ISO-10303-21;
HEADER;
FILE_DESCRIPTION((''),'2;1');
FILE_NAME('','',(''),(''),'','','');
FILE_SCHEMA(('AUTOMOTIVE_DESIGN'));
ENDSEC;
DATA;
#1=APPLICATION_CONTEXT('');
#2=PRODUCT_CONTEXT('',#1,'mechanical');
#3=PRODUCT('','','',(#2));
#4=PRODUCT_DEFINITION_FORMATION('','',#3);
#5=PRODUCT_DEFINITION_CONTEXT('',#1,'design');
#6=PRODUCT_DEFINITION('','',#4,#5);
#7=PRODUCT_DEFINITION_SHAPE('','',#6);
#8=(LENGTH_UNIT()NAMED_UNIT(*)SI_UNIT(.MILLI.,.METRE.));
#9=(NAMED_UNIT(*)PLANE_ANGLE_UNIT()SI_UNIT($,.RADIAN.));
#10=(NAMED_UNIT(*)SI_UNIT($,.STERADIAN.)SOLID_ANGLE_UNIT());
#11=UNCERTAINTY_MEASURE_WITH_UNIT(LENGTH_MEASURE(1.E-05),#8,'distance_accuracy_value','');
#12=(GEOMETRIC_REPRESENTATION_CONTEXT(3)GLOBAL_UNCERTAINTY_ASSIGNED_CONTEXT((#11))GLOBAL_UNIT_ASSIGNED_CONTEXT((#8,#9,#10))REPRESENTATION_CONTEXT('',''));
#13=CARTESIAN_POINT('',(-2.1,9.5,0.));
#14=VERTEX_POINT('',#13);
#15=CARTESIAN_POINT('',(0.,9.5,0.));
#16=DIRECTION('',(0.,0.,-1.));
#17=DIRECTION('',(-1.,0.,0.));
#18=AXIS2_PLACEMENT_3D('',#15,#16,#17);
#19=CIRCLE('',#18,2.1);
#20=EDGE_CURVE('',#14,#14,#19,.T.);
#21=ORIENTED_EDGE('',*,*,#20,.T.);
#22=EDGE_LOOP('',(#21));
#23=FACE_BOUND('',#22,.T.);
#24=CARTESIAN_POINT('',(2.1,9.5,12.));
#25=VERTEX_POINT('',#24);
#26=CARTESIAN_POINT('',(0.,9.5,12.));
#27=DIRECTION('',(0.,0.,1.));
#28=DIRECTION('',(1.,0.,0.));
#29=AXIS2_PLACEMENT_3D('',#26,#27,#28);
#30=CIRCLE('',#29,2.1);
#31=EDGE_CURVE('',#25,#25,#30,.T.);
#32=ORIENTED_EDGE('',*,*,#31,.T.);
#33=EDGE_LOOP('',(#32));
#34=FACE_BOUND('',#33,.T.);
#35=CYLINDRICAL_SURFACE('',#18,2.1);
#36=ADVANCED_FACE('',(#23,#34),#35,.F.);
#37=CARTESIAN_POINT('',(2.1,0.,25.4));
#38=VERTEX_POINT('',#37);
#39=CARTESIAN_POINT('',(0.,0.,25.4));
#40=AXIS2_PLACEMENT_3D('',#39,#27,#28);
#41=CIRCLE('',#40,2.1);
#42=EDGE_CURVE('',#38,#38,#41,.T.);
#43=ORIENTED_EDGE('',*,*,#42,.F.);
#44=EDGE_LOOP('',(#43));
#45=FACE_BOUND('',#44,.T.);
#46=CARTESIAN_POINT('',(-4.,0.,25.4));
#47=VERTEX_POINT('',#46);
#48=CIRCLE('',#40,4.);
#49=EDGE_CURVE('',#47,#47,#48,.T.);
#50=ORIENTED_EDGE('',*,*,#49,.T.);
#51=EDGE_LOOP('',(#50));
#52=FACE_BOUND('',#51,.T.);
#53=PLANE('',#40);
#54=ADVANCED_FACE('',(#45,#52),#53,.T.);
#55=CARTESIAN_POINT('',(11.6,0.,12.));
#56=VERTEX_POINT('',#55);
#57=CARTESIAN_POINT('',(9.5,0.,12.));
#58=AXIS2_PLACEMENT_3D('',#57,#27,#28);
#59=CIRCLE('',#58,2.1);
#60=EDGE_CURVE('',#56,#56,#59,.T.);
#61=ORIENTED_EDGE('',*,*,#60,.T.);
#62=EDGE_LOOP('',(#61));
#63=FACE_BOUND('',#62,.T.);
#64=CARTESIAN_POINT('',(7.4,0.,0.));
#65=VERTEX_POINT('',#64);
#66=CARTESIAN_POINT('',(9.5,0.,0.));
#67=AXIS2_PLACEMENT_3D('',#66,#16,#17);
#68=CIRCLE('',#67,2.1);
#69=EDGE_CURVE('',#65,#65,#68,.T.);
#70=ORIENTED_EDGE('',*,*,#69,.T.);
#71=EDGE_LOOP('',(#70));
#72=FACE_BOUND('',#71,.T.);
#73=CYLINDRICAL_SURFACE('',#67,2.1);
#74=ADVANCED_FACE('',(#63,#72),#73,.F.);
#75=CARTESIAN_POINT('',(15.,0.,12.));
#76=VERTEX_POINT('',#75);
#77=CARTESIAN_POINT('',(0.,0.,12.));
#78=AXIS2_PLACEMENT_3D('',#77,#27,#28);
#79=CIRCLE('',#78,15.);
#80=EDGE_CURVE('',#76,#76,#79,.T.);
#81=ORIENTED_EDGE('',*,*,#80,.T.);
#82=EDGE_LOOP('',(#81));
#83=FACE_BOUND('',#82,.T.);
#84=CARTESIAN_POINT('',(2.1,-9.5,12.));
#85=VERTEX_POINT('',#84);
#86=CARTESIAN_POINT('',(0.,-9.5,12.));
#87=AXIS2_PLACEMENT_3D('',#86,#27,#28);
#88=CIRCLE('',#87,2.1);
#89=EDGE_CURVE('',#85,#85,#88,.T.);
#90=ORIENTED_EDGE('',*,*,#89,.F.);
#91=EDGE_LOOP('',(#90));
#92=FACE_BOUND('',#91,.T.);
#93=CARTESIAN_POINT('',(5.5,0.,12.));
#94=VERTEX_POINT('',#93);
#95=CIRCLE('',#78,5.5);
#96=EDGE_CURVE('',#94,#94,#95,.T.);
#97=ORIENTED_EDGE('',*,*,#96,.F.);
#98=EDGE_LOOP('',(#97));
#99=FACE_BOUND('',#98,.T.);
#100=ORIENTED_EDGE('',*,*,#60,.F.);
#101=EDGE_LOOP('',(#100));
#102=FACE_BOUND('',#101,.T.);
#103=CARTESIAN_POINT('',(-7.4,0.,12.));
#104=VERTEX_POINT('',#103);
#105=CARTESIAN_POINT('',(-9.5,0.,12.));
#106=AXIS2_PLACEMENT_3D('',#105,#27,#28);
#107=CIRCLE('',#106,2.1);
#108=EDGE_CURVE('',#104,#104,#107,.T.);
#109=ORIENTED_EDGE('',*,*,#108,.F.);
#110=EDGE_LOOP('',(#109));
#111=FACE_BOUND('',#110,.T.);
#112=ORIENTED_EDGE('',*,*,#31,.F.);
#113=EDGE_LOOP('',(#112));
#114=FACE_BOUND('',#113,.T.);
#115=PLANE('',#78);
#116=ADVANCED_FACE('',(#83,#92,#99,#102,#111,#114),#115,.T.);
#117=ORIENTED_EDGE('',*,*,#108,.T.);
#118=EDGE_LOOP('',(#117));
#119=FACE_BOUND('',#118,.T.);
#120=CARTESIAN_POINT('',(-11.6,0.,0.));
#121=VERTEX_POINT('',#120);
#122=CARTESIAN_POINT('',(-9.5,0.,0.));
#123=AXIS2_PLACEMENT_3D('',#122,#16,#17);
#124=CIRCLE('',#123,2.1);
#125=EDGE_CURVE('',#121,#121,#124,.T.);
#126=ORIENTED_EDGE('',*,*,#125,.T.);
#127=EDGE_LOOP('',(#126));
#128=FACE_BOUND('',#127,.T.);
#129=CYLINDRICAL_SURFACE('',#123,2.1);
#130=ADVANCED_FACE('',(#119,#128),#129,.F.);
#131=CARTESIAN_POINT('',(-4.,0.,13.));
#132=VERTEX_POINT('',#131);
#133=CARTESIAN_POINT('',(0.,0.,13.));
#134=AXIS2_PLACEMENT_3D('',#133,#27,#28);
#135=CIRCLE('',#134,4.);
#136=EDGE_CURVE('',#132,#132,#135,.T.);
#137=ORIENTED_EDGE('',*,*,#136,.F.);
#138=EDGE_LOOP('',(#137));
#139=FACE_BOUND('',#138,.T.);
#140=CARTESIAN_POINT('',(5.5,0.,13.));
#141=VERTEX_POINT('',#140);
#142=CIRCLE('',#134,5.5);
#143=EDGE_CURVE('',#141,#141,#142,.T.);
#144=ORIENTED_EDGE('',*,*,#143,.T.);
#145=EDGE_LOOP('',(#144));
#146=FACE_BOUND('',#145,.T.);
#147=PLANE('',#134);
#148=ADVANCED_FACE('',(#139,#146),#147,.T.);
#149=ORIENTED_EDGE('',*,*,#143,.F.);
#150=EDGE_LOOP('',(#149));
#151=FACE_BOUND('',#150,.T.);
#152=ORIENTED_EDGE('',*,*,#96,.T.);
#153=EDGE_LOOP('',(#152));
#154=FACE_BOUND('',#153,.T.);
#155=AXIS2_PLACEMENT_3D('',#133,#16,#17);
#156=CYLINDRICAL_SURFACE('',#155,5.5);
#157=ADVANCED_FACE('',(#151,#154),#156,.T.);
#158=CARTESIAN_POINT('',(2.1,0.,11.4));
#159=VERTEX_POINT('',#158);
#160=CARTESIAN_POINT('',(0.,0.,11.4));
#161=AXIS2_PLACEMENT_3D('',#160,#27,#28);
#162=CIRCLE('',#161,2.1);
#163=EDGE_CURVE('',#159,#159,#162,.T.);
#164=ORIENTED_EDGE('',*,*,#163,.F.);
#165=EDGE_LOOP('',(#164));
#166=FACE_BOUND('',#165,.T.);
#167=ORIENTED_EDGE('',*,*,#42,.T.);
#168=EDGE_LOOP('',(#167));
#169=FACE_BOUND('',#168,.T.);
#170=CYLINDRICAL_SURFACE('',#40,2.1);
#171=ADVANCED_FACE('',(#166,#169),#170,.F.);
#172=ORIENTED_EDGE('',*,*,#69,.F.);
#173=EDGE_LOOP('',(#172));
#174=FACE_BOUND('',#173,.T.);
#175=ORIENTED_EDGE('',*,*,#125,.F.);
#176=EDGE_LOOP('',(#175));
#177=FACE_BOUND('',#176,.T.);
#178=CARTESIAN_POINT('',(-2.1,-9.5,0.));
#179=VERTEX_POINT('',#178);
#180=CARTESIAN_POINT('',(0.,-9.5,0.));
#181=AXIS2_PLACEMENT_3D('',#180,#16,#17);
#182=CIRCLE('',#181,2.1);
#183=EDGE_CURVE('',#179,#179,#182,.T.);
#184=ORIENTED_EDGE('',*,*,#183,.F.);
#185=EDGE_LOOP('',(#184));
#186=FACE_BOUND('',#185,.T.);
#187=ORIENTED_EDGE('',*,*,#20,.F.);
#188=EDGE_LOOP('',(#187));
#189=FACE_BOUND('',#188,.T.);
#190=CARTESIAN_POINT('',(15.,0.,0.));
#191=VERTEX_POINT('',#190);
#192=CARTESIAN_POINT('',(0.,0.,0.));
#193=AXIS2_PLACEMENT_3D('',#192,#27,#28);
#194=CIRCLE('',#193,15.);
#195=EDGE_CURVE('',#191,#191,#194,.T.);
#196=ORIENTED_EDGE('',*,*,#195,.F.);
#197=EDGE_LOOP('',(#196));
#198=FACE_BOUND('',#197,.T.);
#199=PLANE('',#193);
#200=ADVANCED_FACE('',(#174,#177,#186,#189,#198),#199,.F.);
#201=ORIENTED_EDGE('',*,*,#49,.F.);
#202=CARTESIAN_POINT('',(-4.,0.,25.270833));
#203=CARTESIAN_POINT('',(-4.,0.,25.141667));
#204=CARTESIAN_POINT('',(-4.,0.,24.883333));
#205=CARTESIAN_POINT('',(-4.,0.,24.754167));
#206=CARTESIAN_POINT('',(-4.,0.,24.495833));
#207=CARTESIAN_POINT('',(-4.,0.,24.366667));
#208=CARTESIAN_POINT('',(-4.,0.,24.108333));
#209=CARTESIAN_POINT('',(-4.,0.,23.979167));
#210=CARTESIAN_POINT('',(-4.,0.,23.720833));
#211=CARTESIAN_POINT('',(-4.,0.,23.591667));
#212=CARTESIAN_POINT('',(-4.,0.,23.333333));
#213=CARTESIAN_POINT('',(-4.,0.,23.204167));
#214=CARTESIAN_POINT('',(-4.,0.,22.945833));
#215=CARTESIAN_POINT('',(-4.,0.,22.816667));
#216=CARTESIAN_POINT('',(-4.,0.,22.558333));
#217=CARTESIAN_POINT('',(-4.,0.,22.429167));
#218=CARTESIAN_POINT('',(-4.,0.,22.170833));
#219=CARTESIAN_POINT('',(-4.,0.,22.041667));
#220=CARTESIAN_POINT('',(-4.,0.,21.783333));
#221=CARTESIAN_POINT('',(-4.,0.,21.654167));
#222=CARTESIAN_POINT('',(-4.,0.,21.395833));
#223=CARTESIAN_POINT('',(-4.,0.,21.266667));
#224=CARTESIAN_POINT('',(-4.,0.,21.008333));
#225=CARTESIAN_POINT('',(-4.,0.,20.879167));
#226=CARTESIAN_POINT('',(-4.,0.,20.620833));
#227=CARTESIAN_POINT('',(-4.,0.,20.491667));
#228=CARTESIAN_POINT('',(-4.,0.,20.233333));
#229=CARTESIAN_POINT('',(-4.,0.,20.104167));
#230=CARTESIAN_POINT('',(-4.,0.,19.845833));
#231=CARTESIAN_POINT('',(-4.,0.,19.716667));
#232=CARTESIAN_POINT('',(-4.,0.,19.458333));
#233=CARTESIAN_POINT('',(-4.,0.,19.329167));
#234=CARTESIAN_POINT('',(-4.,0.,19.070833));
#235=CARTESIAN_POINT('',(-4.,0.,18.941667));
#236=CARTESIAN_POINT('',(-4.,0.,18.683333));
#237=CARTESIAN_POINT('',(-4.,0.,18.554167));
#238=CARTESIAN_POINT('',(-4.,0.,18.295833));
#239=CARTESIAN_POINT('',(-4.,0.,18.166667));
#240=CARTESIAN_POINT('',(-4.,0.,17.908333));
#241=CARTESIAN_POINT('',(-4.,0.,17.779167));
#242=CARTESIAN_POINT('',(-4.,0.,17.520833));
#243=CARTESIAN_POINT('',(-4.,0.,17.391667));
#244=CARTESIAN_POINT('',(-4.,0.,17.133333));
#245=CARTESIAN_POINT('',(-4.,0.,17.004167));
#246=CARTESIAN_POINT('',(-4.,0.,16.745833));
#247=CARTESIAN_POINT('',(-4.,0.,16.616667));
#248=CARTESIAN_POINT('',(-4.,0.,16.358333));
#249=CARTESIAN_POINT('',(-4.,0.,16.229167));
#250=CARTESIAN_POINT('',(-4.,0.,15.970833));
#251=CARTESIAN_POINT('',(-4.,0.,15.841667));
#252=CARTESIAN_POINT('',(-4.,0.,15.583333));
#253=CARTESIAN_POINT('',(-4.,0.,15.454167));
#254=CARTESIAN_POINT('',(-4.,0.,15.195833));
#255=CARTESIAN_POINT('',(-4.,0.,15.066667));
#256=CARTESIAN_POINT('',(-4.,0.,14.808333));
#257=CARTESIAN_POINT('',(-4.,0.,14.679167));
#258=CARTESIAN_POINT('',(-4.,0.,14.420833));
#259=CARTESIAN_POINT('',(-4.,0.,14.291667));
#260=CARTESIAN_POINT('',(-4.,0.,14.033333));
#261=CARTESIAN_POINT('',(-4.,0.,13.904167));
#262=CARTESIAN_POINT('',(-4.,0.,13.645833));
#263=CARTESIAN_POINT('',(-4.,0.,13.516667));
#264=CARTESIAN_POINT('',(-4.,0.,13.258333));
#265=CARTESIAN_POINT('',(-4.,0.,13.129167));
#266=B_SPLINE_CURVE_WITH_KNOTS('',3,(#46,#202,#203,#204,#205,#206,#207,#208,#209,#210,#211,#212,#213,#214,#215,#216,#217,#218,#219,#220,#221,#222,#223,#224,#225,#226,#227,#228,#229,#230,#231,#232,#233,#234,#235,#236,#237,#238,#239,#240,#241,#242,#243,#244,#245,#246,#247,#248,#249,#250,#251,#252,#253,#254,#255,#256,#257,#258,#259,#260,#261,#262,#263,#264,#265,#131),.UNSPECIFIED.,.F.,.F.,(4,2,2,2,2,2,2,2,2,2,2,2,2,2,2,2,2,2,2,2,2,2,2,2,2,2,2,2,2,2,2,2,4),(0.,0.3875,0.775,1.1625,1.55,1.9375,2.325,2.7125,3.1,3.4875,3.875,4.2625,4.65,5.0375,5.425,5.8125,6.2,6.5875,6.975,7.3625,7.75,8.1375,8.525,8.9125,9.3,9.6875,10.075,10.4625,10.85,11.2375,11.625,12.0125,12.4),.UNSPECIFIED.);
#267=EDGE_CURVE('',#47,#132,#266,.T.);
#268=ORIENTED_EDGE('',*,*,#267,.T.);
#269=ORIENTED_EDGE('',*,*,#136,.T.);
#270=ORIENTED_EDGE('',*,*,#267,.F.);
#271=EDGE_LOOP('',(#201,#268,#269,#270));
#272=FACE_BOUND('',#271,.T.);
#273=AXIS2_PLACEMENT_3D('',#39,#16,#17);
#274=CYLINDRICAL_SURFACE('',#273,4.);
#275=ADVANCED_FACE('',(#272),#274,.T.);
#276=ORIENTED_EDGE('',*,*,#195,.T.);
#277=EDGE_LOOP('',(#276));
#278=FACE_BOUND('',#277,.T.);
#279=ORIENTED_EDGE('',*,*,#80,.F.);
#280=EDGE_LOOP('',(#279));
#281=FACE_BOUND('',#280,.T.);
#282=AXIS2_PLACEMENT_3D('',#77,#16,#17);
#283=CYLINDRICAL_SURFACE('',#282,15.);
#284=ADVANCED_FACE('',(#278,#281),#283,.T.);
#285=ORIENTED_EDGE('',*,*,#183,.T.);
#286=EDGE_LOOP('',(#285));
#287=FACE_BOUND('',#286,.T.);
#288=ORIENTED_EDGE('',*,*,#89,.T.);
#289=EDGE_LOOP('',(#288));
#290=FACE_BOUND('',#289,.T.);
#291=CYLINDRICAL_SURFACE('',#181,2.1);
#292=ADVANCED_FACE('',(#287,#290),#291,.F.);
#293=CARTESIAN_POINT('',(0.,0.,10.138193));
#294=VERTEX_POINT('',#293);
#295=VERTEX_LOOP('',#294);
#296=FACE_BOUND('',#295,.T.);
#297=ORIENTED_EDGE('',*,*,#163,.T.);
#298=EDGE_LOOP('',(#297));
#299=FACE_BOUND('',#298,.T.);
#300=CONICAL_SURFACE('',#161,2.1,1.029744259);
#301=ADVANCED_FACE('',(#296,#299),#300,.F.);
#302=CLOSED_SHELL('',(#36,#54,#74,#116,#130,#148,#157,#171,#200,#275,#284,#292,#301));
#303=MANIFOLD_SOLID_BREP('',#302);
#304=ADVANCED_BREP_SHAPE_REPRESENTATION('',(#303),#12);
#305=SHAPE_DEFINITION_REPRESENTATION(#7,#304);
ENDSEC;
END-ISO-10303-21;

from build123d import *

# Parameters (mm, degrees)
SKETCH_1_R      = 15
EXTRUDE_1_DEPTH = 12
SKETCH_2_R      = 5.5
EXTRUDE_2_DEPTH = 1
SKETCH_3_R      = 4
EXTRUDE_3_DEPTH = 12.4
M5X0_81_D       = 4.2
M5X0_82_D       = 4.2
M5X0_82_DEPTH   = 14
M5X0_82_TIP     = 1.2618073


with BuildPart() as part:
    # Эскиз1 → Бобышка-Вытянуть1 (new body)
    with BuildSketch(Plane.XY):
        Circle(SKETCH_1_R)
    extrude(amount=EXTRUDE_1_DEPTH)

    # Эскиз2 → Бобышка-Вытянуть2 (add)
    with BuildSketch(Plane.XY.offset(12)):
        Circle(SKETCH_2_R)
    extrude(amount=EXTRUDE_2_DEPTH)

    # Эскиз3 → Бобышка-Вытянуть3 (add)
    with BuildSketch(Plane.XY.offset(13)):
        with Locations(Location((0, 0, 0), (0, 0, 180))):
            Circle(SKETCH_3_R)
    extrude(amount=EXTRUDE_3_DEPTH)

    # Отверстие обработанное метчиком M5x0.81 (through all)
    with Locations(Plane(origin=(0, 0, 0), x_dir=(-1, 0, 0), z_dir=(0, 0, -1))):
        with Locations((0, 9.5), (9.5, 0), (-9.5, 0), (0, -9.5)):
            Hole(M5X0_81_D / 2)

    # Отверстие обработанное метчиком M5x0.82
    with Locations(Plane.XY.offset(25.4)):
        with Locations((0, 0)):
            Hole(M5X0_82_D / 2, depth=M5X0_82_DEPTH)
            with Locations((0, 0, -(M5X0_82_DEPTH + M5X0_82_TIP / 2))):  # 118° drill point
                Cone(0, M5X0_82_D / 2, M5X0_82_TIP, mode=Mode.SUBTRACT)


solid = part.part
